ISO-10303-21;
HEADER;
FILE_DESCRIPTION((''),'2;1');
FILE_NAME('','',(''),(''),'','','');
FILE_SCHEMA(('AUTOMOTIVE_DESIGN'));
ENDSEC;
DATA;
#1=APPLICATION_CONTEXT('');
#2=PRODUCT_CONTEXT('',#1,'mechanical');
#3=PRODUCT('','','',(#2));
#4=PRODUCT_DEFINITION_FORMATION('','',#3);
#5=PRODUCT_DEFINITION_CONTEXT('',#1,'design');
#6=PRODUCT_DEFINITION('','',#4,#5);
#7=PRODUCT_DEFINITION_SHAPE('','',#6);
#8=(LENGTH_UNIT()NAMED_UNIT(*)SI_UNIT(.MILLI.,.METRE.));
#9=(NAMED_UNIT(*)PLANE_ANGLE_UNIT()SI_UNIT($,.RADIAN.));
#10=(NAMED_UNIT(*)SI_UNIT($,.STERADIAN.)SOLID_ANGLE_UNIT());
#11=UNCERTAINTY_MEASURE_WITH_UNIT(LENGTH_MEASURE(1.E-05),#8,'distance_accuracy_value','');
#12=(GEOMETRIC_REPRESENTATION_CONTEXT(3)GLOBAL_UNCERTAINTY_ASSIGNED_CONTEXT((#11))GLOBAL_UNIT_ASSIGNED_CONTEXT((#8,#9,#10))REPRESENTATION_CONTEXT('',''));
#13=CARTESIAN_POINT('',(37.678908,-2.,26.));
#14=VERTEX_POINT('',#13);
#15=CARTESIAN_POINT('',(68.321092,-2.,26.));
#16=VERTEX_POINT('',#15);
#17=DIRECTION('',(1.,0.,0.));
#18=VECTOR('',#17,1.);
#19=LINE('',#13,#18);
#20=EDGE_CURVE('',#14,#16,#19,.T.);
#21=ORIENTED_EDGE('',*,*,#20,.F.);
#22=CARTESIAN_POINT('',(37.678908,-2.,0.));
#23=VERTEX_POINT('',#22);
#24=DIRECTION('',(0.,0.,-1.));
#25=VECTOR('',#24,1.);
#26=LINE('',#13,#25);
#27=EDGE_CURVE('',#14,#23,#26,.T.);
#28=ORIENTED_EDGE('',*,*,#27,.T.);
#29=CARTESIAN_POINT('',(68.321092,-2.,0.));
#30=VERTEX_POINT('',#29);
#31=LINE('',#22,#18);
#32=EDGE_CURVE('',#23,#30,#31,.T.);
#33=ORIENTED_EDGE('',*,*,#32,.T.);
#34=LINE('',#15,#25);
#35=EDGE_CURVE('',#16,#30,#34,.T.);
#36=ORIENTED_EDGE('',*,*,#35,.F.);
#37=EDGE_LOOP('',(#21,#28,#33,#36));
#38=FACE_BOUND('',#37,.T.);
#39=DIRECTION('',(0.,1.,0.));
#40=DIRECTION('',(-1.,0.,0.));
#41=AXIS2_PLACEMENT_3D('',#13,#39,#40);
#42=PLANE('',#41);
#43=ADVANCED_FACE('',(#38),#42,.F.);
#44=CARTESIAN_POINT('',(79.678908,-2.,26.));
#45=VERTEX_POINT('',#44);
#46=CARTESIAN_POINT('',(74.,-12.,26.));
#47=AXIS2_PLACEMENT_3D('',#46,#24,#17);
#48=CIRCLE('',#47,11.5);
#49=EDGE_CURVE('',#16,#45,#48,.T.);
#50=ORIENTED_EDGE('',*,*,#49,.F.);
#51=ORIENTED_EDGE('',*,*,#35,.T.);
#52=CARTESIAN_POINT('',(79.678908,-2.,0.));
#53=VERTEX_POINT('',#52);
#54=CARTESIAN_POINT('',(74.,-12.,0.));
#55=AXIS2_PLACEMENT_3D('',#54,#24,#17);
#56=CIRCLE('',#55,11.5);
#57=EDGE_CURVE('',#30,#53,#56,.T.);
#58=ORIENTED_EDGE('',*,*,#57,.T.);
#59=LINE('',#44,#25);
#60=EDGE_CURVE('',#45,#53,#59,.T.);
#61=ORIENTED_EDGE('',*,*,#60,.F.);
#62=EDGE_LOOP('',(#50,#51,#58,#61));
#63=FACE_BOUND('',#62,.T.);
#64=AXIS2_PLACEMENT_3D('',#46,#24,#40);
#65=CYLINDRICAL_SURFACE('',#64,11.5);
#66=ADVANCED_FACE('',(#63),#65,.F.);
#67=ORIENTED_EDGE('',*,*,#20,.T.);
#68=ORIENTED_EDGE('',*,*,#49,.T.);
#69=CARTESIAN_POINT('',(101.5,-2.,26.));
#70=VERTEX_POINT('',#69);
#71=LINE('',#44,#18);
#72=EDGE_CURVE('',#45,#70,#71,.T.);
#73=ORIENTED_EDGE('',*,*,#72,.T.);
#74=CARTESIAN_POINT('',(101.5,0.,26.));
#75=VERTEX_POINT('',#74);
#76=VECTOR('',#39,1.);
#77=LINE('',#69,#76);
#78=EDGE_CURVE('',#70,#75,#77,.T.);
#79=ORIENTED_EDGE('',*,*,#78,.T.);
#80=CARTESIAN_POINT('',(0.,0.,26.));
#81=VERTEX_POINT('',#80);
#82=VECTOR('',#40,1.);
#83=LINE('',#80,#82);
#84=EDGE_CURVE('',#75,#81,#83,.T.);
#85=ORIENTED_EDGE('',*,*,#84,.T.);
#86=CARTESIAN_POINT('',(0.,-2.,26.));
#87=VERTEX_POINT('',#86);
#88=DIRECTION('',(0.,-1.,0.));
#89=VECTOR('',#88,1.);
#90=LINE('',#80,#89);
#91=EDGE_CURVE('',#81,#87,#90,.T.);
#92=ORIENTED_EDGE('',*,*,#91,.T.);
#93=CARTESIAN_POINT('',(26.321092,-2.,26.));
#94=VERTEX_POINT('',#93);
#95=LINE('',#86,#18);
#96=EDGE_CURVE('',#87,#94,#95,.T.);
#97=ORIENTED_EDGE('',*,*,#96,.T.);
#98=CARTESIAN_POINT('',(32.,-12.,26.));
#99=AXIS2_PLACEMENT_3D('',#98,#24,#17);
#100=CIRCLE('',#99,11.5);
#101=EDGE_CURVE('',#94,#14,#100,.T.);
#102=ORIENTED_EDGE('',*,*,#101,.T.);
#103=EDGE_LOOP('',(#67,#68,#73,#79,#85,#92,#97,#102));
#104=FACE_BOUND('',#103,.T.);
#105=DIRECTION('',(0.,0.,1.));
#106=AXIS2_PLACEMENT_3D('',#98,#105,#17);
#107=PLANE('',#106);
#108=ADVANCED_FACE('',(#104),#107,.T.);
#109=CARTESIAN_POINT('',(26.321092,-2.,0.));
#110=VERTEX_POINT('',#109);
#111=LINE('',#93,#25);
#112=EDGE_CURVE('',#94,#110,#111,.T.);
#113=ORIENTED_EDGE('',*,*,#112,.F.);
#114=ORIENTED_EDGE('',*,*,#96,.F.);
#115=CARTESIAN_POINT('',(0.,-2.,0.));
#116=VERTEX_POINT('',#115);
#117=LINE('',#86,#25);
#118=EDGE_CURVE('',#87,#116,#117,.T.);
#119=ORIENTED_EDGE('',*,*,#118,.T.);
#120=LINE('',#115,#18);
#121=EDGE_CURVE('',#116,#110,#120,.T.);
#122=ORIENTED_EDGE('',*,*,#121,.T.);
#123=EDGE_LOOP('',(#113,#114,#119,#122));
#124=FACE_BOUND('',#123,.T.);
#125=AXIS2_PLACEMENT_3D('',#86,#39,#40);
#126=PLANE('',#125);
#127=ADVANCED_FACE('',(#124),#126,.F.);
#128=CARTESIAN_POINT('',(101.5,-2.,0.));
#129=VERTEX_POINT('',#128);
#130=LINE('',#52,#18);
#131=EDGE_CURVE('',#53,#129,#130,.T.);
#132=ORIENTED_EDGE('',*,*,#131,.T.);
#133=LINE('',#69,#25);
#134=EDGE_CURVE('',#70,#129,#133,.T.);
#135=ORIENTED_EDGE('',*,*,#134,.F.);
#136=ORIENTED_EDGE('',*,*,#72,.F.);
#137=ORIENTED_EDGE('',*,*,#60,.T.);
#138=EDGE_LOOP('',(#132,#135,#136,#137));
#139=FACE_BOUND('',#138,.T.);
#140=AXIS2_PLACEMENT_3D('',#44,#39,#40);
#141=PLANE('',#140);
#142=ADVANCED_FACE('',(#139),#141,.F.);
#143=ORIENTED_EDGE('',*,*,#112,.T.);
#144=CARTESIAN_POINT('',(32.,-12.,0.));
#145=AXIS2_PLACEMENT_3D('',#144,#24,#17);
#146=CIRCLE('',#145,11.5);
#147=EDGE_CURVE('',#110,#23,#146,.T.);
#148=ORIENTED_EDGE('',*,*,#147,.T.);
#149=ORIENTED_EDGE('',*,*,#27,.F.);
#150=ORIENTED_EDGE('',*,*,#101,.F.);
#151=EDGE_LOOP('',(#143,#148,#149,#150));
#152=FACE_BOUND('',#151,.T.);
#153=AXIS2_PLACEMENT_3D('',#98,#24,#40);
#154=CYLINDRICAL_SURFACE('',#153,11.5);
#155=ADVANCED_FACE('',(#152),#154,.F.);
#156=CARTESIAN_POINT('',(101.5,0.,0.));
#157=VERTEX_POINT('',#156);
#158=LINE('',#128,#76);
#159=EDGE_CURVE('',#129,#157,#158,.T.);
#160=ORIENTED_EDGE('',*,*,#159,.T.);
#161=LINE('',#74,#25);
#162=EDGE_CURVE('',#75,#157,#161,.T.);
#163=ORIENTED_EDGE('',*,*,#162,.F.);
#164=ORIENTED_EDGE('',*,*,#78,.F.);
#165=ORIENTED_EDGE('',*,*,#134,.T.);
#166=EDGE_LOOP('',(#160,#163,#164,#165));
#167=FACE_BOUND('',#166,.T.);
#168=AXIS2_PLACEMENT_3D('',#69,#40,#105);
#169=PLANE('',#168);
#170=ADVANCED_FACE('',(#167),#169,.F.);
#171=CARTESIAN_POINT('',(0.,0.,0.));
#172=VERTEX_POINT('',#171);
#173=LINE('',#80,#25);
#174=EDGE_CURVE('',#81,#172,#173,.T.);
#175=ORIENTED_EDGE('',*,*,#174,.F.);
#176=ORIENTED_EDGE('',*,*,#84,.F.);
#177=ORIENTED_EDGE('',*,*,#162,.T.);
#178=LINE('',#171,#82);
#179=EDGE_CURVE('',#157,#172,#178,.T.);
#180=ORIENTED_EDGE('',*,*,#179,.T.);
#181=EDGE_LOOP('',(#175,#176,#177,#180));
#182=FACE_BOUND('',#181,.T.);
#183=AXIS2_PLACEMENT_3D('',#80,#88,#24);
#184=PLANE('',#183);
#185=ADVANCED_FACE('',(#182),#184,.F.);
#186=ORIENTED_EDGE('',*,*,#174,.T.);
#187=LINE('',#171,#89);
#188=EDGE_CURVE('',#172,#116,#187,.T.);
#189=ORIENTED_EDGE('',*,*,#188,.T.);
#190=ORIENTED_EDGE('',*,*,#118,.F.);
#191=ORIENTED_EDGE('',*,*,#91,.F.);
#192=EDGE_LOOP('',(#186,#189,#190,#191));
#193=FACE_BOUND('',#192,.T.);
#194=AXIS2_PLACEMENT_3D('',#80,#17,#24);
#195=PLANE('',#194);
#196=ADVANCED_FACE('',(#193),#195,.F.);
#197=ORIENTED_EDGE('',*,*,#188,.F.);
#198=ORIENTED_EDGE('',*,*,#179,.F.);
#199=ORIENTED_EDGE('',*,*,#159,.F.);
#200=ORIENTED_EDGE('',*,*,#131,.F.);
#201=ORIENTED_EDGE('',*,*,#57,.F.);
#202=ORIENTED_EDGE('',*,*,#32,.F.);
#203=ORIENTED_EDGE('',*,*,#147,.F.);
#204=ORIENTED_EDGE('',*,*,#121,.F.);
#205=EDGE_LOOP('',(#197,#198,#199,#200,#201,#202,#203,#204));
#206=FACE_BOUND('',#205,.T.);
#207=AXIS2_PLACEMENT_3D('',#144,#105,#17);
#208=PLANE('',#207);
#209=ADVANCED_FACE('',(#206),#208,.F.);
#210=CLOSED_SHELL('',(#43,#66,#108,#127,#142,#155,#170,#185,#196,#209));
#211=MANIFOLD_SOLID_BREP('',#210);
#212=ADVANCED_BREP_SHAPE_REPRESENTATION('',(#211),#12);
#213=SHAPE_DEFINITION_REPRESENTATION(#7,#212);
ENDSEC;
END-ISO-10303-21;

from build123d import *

# Parameters (mm, degrees)
BOSS_EXTRUDE1_DEPTH = 26


with BuildPart() as part:
    # Sketch1 → Boss-Extrude1 (new body)
    with BuildSketch(Plane.XY):
        with BuildLine():
            Line((0, 0), (101.5, 0))
            Line((101.5, 0), (101.5, -2))
            Line((101.5, -2), (79.678908346, -2))
            ThreePointArc((79.678908346, -2), (74, -0.5), (68.321091654, -2))
            Line((68.321091654, -2), (37.678908346, -2))
            ThreePointArc((37.678908346, -2), (32, -0.5), (26.321091654, -2))
            Line((26.321091654, -2), (0, -2))
            Line((0, -2), (0, 0))
        make_face()
    extrude(amount=BOSS_EXTRUDE1_DEPTH)


solid = part.part
